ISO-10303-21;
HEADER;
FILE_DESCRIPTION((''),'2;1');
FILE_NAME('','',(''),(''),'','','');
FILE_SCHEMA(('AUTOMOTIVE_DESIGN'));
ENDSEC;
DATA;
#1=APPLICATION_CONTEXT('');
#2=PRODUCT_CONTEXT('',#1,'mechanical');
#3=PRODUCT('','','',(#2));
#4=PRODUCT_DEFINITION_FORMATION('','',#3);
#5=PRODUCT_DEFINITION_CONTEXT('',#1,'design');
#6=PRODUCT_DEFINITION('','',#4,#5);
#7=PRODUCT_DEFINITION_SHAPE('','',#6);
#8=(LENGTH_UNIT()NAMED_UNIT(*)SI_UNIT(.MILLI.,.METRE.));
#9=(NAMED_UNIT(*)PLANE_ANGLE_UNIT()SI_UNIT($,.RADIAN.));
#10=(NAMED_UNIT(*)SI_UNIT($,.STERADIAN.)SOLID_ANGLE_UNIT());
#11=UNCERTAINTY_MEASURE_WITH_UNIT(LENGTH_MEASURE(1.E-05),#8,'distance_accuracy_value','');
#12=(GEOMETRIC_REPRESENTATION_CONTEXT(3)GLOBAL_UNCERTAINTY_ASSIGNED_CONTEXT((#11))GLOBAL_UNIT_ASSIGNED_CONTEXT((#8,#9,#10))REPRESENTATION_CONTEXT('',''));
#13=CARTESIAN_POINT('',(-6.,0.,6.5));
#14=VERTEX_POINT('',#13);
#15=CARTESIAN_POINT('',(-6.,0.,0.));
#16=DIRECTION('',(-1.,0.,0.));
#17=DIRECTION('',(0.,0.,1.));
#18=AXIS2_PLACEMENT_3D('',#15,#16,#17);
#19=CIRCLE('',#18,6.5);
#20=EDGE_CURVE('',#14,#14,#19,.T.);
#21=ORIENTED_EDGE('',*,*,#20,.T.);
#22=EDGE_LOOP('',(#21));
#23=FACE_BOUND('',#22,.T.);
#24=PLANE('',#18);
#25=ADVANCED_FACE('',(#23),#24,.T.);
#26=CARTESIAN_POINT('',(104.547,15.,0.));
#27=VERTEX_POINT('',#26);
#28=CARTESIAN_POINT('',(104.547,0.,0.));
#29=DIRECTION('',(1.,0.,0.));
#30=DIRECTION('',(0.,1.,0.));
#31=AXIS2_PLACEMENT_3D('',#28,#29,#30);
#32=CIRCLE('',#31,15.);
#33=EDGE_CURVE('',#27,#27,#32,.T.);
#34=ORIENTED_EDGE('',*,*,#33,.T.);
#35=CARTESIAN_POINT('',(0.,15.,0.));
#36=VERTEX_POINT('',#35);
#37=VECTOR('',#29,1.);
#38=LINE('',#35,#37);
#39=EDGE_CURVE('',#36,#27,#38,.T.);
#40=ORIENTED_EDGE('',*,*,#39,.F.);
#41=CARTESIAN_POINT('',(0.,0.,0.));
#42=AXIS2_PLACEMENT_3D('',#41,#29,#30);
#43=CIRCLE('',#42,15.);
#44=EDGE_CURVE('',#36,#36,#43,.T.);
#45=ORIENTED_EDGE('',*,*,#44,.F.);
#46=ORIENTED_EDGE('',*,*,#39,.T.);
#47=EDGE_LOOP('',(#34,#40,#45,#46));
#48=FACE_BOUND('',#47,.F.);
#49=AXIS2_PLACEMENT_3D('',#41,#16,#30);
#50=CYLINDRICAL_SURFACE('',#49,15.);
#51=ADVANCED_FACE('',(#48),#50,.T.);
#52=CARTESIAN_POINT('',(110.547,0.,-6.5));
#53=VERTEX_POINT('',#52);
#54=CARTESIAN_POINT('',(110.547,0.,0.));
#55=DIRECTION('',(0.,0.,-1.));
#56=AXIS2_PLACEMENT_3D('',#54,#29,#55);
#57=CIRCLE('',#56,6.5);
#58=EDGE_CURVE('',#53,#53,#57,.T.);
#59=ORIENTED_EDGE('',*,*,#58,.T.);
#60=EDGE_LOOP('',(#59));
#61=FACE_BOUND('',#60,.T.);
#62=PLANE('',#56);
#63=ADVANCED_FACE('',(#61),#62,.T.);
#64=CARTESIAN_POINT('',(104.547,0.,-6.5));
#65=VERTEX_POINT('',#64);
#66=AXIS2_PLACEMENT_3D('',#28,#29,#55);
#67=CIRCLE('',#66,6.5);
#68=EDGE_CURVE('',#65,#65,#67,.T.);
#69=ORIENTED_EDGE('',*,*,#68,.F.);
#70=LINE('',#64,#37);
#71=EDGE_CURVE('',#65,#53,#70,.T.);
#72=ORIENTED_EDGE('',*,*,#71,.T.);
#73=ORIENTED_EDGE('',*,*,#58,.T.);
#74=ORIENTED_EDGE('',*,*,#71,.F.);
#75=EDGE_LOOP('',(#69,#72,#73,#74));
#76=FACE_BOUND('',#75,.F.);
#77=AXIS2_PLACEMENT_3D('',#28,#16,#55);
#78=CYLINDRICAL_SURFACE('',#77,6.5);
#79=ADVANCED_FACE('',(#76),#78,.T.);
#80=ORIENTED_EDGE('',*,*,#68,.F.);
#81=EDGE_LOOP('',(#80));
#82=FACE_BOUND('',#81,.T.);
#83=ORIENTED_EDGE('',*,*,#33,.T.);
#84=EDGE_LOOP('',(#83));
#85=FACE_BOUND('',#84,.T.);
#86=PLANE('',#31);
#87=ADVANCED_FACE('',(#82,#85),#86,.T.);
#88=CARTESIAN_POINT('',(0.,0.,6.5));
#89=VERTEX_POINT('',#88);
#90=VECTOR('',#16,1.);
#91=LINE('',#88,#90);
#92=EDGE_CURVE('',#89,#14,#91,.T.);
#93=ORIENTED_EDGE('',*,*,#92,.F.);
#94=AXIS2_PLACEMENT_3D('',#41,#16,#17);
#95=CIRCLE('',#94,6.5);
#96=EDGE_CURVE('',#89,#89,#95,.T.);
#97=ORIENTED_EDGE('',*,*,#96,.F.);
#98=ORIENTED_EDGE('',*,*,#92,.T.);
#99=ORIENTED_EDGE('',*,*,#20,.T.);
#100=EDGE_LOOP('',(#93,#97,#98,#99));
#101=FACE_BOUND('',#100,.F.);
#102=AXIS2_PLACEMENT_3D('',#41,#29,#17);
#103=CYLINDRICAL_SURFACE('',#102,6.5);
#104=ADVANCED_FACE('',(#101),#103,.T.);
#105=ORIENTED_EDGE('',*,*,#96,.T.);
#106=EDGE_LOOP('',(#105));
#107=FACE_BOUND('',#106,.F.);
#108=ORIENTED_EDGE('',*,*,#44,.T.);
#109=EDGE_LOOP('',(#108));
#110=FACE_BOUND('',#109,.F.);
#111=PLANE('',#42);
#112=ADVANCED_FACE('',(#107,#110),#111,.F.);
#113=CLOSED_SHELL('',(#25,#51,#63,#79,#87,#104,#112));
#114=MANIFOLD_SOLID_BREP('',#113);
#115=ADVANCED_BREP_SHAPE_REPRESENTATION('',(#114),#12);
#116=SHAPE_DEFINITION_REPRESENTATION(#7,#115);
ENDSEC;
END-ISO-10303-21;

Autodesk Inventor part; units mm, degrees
ref_plane "YZ Plane" through (0, 0, 0) normal (1, 0, 0) x (0, 1, 0)
ref_plane "XZ Plane" through (0, 0, 0) normal (0, 1, 0) x (-1, 0, 0)
ref_plane "XY Plane" through (0, 0, 0) normal (0, 0, 1) x (1, 0, 0)
sketch "Boceto1" plane through (0, 0, 0) normal (1, 0, 0) x (0, 1, 0)
  circle A0 centre (0, 0) radius 15
  dimension "d0" = 30
extrude "Extrusión1" add sketch "Boceto1" along normal blind 104.547
sketch "Boceto2" plane through (104.547, 0, 0) normal (1, 0, 0) x (0, 0, -1)
  circle A0 centre (0, 0) radius 6.5
  dimension "d3" = 13
extrude "Extrusión2" add sketch "Boceto2" along normal blind 6
sketch "Boceto3" plane through (0, 0, 0) normal (-1, 0, 0) x (0, 0, 1)
  circle A0 centre (0, 0) radius 6.5
  dimension "d6" = 13
extrude "Extrusión3" add sketch "Boceto3" along normal blind 6
properties part number "rodillo con rodamiento 2"
